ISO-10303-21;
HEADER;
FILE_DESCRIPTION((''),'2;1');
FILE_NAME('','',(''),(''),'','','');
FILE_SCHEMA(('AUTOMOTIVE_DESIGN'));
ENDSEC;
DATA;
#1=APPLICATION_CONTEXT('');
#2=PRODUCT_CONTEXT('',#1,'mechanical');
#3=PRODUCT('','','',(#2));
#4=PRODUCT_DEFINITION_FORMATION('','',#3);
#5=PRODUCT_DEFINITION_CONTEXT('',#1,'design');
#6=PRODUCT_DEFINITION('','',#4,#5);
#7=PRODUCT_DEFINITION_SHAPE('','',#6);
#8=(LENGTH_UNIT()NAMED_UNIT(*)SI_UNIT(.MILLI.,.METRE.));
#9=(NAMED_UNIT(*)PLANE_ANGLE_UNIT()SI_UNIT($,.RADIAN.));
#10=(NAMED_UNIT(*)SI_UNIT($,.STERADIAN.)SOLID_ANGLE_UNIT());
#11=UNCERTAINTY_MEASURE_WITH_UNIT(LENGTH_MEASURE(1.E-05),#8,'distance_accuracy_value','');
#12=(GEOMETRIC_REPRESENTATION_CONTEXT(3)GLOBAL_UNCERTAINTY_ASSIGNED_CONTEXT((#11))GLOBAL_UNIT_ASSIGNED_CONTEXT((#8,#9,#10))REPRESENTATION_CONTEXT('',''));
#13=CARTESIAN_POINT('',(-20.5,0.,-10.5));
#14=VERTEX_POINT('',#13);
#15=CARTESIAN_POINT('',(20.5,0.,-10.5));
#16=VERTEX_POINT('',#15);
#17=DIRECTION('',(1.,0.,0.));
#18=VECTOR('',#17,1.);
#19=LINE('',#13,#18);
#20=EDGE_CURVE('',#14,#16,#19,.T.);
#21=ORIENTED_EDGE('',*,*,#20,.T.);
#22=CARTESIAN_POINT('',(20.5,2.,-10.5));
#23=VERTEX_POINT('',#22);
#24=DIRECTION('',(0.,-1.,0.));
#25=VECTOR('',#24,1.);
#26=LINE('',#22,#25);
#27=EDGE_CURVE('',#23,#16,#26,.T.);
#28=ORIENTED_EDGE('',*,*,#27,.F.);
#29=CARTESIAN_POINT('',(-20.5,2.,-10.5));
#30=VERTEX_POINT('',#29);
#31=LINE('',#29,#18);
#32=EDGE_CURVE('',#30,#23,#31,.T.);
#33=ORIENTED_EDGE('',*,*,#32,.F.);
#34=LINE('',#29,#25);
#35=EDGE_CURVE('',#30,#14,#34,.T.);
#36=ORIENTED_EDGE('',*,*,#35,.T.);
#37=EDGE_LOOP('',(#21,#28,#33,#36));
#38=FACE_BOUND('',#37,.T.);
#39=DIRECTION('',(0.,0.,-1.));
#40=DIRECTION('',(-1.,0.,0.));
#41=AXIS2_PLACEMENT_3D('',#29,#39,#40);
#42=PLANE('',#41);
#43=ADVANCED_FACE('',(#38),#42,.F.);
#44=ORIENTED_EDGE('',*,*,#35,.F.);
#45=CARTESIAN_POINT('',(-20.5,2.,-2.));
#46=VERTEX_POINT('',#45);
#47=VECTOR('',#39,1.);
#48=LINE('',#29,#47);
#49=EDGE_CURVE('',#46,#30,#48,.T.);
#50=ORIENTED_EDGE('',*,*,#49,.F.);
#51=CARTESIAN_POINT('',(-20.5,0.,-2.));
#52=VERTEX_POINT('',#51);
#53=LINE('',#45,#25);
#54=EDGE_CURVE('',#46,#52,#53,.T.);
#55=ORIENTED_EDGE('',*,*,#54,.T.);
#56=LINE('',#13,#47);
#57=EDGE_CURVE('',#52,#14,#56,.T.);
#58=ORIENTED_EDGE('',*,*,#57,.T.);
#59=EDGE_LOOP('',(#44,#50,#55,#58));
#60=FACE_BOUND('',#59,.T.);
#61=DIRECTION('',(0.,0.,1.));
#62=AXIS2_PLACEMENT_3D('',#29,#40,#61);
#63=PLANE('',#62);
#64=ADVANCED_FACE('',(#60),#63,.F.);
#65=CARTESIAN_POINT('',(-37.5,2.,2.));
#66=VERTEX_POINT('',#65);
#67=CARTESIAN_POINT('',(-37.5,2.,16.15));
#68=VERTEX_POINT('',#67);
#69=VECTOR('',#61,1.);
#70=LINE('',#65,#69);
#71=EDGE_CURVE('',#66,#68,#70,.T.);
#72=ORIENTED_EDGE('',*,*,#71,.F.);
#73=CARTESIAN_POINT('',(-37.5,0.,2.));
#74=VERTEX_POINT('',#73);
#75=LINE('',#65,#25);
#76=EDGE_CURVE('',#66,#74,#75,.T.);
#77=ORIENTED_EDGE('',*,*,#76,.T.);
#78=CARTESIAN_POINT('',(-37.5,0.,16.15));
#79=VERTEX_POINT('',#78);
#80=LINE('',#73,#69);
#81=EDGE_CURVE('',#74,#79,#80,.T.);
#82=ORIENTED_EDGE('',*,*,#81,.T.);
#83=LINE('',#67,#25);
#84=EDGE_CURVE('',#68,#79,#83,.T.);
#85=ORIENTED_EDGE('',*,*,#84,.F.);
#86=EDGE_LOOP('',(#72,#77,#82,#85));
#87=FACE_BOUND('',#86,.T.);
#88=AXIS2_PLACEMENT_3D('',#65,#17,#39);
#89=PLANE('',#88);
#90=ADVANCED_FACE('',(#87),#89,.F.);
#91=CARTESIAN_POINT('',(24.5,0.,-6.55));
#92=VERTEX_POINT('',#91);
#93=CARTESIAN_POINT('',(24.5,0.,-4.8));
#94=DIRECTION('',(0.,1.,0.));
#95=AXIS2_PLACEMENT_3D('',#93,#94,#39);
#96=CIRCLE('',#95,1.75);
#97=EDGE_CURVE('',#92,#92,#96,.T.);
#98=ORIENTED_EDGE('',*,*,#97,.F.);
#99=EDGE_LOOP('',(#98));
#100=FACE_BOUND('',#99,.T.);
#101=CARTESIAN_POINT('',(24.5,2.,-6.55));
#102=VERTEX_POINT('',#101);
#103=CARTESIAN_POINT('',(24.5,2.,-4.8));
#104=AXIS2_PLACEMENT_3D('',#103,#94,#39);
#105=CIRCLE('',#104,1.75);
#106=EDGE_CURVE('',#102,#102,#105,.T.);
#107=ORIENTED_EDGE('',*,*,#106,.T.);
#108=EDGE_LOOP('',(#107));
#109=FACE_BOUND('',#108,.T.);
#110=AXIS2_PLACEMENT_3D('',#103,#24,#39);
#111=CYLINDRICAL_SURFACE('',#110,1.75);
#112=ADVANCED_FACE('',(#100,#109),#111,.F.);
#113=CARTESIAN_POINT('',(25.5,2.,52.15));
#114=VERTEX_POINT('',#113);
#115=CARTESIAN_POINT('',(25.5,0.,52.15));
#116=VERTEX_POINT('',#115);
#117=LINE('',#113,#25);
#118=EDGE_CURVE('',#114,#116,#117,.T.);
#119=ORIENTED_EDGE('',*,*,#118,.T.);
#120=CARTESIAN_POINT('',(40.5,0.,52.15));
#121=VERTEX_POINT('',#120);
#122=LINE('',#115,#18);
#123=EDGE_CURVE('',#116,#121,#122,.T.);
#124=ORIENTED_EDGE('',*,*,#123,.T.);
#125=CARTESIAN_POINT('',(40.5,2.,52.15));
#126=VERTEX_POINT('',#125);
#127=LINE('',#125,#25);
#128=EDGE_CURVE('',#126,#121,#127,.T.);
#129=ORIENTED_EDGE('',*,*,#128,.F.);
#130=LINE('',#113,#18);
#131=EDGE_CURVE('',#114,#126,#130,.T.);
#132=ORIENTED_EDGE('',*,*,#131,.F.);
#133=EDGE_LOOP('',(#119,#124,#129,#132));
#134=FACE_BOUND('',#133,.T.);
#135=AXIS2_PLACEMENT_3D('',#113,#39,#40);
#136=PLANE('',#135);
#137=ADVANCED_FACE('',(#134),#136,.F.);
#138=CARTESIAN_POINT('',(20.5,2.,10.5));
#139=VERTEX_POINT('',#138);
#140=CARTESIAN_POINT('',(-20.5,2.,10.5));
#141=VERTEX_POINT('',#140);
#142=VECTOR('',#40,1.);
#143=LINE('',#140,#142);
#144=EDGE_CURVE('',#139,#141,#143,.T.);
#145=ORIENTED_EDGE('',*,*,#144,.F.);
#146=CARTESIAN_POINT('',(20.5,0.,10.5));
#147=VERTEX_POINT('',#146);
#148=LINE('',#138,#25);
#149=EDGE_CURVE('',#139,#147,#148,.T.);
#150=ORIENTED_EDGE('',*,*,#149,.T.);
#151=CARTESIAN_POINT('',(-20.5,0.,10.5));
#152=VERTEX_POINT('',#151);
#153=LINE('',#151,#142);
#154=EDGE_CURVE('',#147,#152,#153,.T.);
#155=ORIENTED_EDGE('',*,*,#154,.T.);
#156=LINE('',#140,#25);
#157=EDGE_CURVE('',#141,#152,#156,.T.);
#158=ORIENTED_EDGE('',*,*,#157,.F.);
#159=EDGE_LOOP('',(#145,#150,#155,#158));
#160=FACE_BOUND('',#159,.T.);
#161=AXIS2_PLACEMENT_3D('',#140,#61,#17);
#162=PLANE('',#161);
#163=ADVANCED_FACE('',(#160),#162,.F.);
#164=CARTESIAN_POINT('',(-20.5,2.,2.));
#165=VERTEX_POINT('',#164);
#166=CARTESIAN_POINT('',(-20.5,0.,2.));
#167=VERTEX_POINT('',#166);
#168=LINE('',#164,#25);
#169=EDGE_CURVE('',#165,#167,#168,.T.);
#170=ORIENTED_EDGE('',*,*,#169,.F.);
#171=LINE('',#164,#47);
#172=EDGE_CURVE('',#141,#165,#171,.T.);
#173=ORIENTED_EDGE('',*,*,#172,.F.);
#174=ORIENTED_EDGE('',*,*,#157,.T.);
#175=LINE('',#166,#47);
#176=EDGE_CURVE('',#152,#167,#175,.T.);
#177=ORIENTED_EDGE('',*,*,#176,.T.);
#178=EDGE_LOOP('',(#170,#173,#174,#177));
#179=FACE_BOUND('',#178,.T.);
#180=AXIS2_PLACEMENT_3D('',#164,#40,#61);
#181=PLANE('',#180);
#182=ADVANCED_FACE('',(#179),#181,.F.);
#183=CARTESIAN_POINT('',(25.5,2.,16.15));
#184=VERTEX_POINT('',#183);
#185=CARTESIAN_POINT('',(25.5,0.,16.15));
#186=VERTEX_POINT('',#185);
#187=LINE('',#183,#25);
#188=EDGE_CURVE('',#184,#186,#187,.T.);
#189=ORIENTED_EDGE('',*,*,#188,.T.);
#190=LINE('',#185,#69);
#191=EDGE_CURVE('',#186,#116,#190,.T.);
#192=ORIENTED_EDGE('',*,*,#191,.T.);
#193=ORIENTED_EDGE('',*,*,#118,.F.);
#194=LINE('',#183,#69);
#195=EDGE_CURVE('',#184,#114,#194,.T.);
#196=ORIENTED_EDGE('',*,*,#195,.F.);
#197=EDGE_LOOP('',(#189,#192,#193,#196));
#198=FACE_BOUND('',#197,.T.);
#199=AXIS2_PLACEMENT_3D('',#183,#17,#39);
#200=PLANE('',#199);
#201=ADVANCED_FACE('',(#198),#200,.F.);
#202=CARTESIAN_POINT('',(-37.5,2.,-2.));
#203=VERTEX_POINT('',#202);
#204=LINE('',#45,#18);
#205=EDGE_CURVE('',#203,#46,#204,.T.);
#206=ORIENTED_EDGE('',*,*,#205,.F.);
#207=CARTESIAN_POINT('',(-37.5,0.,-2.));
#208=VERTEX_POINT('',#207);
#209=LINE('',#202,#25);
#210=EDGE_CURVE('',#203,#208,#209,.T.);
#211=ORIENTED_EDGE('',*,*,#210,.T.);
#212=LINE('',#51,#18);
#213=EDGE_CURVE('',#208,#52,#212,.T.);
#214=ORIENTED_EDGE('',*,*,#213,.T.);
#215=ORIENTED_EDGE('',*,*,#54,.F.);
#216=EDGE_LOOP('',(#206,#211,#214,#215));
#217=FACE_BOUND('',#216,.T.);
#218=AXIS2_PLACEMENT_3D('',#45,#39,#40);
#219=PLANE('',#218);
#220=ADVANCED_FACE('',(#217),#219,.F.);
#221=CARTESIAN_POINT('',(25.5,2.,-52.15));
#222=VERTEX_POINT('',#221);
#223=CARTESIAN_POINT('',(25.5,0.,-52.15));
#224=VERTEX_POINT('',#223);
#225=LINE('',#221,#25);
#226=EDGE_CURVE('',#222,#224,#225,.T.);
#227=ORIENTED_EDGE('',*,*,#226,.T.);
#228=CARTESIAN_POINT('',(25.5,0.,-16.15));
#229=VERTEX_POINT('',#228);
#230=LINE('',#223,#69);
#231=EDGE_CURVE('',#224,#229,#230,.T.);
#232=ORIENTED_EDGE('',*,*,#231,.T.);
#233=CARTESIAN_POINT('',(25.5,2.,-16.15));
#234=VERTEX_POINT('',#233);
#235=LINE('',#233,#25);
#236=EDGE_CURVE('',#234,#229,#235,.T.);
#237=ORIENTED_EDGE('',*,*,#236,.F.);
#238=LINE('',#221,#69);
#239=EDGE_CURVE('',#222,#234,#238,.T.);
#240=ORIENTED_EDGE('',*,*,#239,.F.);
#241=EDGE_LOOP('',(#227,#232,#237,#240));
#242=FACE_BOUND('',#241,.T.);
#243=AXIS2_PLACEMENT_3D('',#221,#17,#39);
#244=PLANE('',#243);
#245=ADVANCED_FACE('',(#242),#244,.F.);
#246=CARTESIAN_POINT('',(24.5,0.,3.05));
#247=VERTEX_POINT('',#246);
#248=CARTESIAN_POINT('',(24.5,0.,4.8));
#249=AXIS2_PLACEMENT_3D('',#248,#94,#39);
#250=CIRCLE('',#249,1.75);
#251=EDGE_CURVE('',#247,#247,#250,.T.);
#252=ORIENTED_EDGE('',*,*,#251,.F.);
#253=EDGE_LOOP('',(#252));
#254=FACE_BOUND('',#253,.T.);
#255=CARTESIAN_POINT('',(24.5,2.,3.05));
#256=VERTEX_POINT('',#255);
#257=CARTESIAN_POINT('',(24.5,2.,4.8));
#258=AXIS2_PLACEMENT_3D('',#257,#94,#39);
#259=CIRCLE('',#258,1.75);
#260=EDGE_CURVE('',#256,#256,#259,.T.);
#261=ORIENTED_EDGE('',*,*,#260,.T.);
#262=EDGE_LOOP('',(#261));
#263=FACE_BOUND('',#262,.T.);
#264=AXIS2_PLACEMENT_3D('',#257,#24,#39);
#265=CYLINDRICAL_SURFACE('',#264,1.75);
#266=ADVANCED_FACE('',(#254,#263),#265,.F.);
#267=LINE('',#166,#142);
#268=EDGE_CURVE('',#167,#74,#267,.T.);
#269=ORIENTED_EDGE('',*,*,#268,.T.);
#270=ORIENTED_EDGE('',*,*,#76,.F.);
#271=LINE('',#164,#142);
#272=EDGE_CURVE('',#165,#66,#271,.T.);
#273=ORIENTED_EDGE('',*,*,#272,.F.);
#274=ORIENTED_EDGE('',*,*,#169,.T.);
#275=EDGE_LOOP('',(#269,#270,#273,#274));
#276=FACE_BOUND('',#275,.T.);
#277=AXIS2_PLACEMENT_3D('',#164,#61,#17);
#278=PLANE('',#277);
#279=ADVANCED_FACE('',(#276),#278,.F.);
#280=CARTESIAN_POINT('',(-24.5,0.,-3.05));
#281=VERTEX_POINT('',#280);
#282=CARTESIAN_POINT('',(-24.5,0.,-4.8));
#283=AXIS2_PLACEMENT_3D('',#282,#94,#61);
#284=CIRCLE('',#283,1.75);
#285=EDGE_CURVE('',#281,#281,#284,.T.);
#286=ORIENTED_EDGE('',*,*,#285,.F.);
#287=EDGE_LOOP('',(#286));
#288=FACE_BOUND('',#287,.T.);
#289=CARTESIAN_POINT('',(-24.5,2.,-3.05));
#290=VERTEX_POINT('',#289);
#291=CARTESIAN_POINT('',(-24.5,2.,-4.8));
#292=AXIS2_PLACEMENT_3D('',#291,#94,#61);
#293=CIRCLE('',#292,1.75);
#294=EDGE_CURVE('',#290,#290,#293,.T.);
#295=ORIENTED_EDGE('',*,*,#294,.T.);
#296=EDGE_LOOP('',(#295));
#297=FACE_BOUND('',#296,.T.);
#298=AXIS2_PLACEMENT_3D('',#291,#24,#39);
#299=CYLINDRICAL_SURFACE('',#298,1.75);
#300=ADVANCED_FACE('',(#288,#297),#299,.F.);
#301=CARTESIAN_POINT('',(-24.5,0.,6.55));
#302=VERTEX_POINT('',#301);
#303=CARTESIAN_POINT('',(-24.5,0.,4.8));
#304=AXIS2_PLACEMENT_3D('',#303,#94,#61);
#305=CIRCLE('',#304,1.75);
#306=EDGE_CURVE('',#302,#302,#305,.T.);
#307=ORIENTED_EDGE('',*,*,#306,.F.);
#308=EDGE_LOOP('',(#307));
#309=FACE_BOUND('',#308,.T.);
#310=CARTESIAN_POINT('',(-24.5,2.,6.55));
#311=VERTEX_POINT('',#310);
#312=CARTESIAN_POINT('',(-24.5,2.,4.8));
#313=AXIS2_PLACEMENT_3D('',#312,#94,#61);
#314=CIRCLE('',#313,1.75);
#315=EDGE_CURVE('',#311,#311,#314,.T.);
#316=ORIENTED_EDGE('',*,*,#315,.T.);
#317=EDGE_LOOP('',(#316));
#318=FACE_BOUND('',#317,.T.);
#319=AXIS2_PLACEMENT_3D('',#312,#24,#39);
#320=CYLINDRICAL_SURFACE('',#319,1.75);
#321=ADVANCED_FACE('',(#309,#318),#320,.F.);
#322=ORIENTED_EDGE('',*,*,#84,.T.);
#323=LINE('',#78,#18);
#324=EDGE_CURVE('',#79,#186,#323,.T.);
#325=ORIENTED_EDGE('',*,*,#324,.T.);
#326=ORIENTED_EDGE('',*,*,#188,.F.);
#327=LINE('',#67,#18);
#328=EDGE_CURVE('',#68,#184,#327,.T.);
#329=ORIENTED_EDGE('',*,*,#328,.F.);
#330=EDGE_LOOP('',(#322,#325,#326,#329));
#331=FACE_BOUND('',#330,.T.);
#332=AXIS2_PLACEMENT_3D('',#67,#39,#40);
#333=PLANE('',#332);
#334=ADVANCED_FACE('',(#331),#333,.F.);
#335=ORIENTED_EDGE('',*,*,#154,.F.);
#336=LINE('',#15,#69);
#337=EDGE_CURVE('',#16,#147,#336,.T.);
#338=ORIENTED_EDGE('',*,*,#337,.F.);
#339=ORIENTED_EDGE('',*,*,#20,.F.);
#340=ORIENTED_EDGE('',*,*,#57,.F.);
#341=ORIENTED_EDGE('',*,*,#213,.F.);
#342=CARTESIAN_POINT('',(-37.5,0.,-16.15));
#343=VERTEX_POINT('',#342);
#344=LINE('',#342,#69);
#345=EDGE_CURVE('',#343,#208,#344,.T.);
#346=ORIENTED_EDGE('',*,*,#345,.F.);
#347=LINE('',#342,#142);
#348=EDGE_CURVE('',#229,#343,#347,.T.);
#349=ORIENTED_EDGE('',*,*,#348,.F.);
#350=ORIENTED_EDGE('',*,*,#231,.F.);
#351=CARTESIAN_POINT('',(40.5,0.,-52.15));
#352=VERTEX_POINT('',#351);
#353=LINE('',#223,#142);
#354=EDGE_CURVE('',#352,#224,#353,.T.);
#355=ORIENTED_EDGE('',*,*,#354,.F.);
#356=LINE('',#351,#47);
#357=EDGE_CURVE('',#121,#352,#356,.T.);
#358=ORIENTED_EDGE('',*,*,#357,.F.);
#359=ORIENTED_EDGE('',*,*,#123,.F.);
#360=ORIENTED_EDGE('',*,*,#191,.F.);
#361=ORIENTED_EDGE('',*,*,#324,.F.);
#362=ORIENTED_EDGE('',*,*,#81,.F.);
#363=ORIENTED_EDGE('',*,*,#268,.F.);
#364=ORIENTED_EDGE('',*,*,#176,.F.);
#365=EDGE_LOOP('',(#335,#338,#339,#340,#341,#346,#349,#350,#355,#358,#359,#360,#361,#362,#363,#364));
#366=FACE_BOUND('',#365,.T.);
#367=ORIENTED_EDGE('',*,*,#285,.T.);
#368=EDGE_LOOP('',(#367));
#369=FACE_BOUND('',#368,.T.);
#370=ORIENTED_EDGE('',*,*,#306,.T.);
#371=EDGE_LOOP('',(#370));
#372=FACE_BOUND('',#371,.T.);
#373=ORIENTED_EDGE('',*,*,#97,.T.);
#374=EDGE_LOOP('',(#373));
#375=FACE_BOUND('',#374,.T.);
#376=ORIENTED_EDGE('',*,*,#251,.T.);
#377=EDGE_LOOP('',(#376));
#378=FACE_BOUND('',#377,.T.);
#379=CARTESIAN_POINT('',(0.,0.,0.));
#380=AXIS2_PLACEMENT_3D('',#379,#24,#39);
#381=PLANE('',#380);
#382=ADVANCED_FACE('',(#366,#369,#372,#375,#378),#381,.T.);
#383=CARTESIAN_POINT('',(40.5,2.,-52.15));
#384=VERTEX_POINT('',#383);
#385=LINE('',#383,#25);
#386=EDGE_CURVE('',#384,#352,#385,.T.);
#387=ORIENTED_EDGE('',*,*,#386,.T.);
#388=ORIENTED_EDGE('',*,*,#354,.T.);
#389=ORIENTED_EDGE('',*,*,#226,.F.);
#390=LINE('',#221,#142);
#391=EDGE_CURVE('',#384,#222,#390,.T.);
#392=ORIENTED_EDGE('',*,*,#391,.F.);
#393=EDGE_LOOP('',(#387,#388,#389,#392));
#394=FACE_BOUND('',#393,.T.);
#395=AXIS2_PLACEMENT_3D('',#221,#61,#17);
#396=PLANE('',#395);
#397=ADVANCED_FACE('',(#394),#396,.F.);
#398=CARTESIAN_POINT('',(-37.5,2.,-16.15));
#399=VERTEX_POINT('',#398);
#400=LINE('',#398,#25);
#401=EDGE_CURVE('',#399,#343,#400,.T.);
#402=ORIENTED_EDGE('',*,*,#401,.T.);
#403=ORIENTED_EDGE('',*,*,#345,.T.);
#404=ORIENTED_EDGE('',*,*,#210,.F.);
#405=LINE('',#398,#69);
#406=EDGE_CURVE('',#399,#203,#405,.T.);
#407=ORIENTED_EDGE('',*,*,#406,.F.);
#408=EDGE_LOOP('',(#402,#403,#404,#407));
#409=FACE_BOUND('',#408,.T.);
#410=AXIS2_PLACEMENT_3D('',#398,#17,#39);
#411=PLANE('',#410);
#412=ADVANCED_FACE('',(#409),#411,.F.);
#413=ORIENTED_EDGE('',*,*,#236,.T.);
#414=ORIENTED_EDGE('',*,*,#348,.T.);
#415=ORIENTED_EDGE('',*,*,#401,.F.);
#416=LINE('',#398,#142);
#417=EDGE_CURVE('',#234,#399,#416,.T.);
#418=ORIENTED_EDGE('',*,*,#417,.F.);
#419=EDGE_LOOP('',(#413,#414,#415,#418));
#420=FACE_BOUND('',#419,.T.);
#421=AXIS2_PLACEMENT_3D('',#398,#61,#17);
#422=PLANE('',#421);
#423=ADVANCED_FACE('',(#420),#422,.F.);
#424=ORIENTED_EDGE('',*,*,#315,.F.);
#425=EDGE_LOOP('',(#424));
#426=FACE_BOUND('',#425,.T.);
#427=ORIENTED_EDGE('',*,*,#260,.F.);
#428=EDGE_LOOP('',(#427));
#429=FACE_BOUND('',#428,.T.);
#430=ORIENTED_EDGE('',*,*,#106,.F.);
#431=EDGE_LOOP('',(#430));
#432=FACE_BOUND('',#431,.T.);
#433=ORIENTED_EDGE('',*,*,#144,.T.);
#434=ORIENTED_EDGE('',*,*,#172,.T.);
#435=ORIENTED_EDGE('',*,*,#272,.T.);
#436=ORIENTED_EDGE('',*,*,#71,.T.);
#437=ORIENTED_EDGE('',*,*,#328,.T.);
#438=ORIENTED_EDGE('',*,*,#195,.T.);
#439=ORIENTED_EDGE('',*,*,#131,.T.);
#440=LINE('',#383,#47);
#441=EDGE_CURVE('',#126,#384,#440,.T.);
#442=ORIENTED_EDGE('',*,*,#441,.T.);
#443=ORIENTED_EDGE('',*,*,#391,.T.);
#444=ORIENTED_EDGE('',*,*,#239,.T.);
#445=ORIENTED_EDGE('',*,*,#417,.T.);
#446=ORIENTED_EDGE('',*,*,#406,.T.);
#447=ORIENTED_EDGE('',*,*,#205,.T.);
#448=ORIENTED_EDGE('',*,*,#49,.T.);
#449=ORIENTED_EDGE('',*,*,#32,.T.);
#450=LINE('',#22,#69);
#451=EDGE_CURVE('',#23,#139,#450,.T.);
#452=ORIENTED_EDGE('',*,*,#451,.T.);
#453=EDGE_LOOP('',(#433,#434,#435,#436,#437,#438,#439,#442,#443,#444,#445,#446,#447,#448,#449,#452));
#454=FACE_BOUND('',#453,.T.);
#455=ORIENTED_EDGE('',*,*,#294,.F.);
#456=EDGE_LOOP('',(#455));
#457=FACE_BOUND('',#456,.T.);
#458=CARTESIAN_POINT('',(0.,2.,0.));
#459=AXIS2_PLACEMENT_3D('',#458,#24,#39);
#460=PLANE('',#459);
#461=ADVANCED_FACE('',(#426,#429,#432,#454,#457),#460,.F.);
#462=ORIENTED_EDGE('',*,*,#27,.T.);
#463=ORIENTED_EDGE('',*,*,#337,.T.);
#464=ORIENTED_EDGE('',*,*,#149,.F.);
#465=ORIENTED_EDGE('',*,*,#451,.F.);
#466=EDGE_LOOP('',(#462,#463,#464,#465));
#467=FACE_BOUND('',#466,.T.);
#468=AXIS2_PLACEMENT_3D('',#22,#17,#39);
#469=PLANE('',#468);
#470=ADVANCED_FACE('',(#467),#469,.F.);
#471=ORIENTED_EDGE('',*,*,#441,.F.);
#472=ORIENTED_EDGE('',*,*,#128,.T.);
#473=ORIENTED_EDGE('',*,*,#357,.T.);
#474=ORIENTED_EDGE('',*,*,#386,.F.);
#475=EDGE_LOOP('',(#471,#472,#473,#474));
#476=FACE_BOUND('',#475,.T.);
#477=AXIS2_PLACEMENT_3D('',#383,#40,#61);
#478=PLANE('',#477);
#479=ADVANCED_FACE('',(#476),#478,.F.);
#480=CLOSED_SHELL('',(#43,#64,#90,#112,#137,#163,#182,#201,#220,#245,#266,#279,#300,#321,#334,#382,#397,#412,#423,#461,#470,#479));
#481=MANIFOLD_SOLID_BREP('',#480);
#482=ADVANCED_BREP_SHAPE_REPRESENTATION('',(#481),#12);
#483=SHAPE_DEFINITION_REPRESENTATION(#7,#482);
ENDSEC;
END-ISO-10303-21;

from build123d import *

# Parameters (mm, degrees)
SKETCH1_R           = 1.75
BOSS_EXTRUDE1_DEPTH = 2


with BuildPart() as part:
    # Sketch1 → Boss-Extrude1 (new body)
    with BuildSketch(Plane(origin=(0, 0, 0), x_dir=(1, 0, 0), z_dir=(0, 1, 0))):
        Polygon((-37.5, 16.15), (25.5, 16.15), (25.5, 52.15), (40.5, 52.15), (40.5, -52.15), (25.5, -52.15), (25.5, -16.15), (-37.5, -16.15), (-37.5, -2), (-20.5, -2), (-20.5, -10.5), (20.5, -10.5), (20.5, 10.5), (-20.5, 10.5), (-20.5, 2), (-37.5, 2), align=None)
        with Locations((-24.5, 4.8)):
            Circle(SKETCH1_R, mode=Mode.SUBTRACT)
        with Locations((-24.5, -4.8)):
            Circle(SKETCH1_R, mode=Mode.SUBTRACT)
        with Locations((24.5, -4.8)):
            Circle(SKETCH1_R, mode=Mode.SUBTRACT)
        with Locations((24.5, 4.8)):
            Circle(SKETCH1_R, mode=Mode.SUBTRACT)
    extrude(amount=BOSS_EXTRUDE1_DEPTH)


solid = part.part
